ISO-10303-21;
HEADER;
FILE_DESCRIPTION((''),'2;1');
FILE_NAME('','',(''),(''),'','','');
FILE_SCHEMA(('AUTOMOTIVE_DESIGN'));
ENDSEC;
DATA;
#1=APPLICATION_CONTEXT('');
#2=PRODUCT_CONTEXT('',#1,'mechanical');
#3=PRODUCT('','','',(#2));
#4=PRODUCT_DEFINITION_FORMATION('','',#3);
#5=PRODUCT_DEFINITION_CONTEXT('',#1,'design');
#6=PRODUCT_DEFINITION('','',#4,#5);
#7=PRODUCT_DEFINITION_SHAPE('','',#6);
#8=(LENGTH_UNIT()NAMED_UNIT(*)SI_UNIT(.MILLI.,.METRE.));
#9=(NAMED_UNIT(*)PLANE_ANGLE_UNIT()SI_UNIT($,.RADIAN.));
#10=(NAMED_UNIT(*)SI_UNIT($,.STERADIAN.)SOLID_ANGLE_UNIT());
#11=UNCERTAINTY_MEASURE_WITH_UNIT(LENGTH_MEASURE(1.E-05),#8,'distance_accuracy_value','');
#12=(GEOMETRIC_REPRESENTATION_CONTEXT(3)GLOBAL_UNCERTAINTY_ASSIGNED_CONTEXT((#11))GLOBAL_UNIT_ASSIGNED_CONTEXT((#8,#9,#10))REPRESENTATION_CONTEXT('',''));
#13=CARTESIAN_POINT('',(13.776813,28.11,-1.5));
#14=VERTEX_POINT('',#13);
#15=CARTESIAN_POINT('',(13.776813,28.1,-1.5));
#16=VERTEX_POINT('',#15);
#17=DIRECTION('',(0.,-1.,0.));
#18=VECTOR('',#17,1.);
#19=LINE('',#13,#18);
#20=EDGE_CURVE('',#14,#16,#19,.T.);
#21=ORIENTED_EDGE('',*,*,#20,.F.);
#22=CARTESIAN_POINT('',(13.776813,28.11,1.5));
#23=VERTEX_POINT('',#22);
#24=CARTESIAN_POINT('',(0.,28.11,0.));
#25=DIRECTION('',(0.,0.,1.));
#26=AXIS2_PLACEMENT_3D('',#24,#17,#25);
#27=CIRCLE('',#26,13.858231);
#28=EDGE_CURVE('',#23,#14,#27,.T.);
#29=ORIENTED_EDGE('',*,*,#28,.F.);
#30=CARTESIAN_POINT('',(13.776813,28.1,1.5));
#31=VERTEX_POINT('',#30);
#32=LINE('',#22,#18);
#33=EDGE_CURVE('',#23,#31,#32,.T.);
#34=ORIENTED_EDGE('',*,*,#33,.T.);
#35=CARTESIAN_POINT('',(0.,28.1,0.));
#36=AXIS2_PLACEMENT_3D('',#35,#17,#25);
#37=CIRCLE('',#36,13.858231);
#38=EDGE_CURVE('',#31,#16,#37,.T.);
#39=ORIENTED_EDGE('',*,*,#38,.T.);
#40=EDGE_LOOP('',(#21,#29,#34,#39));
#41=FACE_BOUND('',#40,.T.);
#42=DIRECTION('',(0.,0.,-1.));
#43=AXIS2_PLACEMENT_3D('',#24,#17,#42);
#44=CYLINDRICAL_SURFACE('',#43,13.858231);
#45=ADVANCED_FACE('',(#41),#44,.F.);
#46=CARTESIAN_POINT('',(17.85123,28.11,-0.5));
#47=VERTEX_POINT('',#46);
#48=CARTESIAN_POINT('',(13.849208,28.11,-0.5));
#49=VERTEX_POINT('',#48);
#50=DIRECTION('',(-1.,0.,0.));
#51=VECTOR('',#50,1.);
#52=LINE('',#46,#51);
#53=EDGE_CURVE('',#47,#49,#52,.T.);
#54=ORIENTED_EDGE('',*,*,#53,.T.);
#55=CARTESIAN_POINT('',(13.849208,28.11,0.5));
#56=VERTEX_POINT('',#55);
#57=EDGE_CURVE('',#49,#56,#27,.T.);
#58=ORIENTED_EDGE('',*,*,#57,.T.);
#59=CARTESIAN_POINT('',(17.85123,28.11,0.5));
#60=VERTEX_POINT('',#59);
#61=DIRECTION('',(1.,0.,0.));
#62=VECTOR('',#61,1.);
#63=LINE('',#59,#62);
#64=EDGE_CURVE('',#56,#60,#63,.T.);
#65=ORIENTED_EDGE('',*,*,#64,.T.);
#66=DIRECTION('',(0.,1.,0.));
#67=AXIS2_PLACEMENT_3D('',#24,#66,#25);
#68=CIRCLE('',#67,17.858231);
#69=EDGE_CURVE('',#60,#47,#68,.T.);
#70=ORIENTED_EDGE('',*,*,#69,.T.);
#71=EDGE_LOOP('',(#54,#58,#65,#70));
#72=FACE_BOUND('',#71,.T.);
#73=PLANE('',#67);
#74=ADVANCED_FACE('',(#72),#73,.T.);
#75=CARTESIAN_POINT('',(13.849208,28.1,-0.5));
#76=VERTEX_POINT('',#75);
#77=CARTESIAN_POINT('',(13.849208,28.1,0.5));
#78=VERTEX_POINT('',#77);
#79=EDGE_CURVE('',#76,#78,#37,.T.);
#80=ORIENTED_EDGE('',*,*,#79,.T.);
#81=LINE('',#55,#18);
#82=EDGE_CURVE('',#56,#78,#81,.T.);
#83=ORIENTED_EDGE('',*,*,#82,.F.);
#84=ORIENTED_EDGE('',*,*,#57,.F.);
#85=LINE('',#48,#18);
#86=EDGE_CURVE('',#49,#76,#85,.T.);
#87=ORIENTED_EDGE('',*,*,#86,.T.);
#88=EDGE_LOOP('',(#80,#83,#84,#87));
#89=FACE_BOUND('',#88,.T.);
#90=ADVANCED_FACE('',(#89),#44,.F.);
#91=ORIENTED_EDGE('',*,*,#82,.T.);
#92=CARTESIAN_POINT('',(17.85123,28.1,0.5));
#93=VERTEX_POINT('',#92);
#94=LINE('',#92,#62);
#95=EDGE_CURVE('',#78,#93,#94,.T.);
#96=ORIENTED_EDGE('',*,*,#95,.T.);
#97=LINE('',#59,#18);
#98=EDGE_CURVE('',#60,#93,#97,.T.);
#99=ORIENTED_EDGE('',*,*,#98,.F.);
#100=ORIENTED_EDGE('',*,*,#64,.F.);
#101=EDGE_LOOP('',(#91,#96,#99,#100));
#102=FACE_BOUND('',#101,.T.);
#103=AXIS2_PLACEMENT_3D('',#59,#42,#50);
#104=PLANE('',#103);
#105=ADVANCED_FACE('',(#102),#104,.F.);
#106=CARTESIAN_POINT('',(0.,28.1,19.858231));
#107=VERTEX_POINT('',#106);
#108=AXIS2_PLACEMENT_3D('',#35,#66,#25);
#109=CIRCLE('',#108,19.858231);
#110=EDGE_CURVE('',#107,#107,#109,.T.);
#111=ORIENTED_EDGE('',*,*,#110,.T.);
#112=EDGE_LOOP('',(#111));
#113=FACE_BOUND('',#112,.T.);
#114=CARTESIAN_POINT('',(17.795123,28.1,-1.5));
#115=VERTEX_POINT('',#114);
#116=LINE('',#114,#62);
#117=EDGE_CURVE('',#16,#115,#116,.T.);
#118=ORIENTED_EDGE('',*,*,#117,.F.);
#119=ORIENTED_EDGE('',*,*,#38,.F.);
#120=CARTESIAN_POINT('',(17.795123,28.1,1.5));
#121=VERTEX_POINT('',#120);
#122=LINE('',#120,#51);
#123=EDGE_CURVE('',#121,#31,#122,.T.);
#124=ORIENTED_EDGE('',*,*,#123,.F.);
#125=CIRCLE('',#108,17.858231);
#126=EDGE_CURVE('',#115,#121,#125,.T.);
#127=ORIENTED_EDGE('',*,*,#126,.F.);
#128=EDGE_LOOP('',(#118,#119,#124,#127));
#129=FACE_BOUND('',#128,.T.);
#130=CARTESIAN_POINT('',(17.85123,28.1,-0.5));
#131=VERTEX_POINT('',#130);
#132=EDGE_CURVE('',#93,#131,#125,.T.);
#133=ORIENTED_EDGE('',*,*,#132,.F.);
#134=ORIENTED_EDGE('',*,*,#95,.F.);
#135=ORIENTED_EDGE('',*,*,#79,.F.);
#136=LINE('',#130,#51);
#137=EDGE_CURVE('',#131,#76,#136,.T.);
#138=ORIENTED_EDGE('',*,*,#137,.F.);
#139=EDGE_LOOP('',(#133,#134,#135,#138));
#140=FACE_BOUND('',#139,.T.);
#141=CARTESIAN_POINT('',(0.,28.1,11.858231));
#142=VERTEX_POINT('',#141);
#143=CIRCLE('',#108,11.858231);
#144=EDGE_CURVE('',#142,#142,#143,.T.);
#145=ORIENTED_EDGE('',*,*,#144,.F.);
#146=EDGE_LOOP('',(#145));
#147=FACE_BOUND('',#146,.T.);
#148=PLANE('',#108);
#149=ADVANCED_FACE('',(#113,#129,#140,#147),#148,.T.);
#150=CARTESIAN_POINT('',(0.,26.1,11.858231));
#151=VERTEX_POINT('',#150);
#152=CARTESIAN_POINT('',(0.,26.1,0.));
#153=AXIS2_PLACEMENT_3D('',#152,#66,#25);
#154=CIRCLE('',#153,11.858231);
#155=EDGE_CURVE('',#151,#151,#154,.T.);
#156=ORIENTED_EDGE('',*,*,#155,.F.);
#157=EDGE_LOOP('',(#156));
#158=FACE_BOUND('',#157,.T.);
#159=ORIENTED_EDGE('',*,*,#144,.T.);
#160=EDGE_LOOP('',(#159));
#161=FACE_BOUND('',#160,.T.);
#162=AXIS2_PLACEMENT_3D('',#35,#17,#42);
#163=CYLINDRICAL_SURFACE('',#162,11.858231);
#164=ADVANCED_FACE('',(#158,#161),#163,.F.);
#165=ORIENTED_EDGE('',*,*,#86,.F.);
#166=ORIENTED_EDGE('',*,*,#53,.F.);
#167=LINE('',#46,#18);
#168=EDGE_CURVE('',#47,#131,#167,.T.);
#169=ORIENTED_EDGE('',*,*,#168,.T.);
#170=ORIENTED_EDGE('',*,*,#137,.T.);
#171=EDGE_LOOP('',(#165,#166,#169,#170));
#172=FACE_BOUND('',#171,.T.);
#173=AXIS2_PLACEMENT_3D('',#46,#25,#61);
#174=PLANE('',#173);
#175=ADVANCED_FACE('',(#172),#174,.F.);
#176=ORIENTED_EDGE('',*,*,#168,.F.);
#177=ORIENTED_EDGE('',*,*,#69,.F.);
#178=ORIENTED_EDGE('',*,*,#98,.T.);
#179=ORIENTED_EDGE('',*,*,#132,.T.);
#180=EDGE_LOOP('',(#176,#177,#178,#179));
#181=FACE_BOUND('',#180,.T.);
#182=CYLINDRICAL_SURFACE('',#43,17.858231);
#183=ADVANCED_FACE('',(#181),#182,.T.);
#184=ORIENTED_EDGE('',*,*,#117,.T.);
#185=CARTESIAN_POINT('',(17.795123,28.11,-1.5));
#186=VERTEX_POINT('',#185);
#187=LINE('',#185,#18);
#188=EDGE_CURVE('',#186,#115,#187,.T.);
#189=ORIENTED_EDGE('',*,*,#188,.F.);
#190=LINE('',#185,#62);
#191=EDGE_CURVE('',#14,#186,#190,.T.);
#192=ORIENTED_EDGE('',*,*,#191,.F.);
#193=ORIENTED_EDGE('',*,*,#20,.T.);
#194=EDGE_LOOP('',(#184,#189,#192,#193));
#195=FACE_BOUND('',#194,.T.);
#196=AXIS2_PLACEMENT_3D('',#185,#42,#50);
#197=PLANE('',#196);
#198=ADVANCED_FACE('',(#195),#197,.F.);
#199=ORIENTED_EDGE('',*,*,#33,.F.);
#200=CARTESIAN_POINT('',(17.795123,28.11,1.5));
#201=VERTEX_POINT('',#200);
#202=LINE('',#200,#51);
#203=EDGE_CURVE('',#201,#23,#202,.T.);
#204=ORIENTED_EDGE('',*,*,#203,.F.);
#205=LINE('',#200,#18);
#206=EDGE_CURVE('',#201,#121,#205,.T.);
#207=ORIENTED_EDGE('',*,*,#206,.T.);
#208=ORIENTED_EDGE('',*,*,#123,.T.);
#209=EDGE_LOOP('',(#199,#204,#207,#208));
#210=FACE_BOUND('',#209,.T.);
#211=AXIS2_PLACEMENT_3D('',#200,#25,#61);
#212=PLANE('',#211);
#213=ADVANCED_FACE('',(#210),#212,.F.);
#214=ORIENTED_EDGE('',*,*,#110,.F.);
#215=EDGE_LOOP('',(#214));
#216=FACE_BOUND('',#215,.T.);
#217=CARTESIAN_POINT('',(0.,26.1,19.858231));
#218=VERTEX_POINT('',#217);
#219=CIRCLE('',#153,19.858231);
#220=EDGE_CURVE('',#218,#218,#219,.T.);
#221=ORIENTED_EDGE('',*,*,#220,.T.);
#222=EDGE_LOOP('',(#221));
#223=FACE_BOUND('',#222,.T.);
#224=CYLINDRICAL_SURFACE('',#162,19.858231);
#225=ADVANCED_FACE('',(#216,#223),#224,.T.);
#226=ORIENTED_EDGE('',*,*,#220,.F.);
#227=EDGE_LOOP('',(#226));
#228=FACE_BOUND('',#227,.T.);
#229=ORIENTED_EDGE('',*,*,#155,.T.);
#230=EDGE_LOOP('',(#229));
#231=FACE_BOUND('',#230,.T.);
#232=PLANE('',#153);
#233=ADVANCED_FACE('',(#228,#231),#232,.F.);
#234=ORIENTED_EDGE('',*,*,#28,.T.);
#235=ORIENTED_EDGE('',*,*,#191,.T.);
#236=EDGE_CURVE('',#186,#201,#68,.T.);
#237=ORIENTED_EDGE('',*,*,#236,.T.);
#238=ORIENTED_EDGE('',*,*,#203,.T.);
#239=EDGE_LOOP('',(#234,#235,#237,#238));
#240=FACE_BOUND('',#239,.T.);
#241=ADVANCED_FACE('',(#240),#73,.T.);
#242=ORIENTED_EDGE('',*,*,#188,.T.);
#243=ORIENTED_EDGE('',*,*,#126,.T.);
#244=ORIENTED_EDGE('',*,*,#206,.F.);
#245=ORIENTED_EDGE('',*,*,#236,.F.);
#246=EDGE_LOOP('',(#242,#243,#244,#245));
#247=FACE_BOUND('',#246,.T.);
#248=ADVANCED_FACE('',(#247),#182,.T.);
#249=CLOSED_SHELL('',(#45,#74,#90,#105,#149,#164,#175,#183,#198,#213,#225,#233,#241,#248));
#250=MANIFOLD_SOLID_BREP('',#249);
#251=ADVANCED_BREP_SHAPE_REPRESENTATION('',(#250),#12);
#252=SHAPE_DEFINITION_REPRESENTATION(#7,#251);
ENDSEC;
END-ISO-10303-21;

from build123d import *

# Parameters (mm, degrees)
SKETCH_1_R      = 19.858230866
SKETCH_1_R_2    = 11.858230866
EXTRUDE_1_DEPTH = 2
EXTRUDE_3_DEPTH = 0.01


with BuildPart() as part:
    # Эскиз1 → Бобышка-Вытянуть1 (new body)
    with BuildSketch(Plane(origin=(0, 26.1, 0), x_dir=(1, 0, 0), z_dir=(0, 1, 0))):
        with Locations(Location((0, 0, 0), (0, 0, 270))):
            Circle(SKETCH_1_R)
        with Locations(Location((0, 0, 0), (0, 0, 270))):
            Circle(SKETCH_1_R_2, mode=Mode.SUBTRACT)
    extrude(amount=EXTRUDE_1_DEPTH)

    # Эскиз3 → Бобышка-Вытянуть3 (add)
    with BuildSketch(Plane(origin=(0, 28.1, 0), x_dir=(1, 0, 0), z_dir=(0, 1, 0))):
        with BuildLine():
            Line((17.85122992, -0.5), (13.849208019, -0.5))
            ThreePointArc((13.849208019, -0.5), (13.858230866, 0), (13.849208019, 0.5))
            Line((13.849208019, 0.5), (17.85122992, 0.5))
            ThreePointArc((17.85122992, 0.5), (17.858230866, 0), (17.85122992, -0.5))
        make_face()
        with BuildLine():
            Line((17.795123199, -1.5), (13.776812503, -1.5))
            ThreePointArc((13.776812503, -1.5), (-13.858230866, 0), (13.776812503, 1.5))
            Line((13.776812503, 1.5), (17.795123199, 1.5))
            ThreePointArc((17.795123199, 1.5), (-17.858230866, 0), (17.795123199, -1.5))
        make_face()
    extrude(amount=EXTRUDE_3_DEPTH)


solid = part.part
